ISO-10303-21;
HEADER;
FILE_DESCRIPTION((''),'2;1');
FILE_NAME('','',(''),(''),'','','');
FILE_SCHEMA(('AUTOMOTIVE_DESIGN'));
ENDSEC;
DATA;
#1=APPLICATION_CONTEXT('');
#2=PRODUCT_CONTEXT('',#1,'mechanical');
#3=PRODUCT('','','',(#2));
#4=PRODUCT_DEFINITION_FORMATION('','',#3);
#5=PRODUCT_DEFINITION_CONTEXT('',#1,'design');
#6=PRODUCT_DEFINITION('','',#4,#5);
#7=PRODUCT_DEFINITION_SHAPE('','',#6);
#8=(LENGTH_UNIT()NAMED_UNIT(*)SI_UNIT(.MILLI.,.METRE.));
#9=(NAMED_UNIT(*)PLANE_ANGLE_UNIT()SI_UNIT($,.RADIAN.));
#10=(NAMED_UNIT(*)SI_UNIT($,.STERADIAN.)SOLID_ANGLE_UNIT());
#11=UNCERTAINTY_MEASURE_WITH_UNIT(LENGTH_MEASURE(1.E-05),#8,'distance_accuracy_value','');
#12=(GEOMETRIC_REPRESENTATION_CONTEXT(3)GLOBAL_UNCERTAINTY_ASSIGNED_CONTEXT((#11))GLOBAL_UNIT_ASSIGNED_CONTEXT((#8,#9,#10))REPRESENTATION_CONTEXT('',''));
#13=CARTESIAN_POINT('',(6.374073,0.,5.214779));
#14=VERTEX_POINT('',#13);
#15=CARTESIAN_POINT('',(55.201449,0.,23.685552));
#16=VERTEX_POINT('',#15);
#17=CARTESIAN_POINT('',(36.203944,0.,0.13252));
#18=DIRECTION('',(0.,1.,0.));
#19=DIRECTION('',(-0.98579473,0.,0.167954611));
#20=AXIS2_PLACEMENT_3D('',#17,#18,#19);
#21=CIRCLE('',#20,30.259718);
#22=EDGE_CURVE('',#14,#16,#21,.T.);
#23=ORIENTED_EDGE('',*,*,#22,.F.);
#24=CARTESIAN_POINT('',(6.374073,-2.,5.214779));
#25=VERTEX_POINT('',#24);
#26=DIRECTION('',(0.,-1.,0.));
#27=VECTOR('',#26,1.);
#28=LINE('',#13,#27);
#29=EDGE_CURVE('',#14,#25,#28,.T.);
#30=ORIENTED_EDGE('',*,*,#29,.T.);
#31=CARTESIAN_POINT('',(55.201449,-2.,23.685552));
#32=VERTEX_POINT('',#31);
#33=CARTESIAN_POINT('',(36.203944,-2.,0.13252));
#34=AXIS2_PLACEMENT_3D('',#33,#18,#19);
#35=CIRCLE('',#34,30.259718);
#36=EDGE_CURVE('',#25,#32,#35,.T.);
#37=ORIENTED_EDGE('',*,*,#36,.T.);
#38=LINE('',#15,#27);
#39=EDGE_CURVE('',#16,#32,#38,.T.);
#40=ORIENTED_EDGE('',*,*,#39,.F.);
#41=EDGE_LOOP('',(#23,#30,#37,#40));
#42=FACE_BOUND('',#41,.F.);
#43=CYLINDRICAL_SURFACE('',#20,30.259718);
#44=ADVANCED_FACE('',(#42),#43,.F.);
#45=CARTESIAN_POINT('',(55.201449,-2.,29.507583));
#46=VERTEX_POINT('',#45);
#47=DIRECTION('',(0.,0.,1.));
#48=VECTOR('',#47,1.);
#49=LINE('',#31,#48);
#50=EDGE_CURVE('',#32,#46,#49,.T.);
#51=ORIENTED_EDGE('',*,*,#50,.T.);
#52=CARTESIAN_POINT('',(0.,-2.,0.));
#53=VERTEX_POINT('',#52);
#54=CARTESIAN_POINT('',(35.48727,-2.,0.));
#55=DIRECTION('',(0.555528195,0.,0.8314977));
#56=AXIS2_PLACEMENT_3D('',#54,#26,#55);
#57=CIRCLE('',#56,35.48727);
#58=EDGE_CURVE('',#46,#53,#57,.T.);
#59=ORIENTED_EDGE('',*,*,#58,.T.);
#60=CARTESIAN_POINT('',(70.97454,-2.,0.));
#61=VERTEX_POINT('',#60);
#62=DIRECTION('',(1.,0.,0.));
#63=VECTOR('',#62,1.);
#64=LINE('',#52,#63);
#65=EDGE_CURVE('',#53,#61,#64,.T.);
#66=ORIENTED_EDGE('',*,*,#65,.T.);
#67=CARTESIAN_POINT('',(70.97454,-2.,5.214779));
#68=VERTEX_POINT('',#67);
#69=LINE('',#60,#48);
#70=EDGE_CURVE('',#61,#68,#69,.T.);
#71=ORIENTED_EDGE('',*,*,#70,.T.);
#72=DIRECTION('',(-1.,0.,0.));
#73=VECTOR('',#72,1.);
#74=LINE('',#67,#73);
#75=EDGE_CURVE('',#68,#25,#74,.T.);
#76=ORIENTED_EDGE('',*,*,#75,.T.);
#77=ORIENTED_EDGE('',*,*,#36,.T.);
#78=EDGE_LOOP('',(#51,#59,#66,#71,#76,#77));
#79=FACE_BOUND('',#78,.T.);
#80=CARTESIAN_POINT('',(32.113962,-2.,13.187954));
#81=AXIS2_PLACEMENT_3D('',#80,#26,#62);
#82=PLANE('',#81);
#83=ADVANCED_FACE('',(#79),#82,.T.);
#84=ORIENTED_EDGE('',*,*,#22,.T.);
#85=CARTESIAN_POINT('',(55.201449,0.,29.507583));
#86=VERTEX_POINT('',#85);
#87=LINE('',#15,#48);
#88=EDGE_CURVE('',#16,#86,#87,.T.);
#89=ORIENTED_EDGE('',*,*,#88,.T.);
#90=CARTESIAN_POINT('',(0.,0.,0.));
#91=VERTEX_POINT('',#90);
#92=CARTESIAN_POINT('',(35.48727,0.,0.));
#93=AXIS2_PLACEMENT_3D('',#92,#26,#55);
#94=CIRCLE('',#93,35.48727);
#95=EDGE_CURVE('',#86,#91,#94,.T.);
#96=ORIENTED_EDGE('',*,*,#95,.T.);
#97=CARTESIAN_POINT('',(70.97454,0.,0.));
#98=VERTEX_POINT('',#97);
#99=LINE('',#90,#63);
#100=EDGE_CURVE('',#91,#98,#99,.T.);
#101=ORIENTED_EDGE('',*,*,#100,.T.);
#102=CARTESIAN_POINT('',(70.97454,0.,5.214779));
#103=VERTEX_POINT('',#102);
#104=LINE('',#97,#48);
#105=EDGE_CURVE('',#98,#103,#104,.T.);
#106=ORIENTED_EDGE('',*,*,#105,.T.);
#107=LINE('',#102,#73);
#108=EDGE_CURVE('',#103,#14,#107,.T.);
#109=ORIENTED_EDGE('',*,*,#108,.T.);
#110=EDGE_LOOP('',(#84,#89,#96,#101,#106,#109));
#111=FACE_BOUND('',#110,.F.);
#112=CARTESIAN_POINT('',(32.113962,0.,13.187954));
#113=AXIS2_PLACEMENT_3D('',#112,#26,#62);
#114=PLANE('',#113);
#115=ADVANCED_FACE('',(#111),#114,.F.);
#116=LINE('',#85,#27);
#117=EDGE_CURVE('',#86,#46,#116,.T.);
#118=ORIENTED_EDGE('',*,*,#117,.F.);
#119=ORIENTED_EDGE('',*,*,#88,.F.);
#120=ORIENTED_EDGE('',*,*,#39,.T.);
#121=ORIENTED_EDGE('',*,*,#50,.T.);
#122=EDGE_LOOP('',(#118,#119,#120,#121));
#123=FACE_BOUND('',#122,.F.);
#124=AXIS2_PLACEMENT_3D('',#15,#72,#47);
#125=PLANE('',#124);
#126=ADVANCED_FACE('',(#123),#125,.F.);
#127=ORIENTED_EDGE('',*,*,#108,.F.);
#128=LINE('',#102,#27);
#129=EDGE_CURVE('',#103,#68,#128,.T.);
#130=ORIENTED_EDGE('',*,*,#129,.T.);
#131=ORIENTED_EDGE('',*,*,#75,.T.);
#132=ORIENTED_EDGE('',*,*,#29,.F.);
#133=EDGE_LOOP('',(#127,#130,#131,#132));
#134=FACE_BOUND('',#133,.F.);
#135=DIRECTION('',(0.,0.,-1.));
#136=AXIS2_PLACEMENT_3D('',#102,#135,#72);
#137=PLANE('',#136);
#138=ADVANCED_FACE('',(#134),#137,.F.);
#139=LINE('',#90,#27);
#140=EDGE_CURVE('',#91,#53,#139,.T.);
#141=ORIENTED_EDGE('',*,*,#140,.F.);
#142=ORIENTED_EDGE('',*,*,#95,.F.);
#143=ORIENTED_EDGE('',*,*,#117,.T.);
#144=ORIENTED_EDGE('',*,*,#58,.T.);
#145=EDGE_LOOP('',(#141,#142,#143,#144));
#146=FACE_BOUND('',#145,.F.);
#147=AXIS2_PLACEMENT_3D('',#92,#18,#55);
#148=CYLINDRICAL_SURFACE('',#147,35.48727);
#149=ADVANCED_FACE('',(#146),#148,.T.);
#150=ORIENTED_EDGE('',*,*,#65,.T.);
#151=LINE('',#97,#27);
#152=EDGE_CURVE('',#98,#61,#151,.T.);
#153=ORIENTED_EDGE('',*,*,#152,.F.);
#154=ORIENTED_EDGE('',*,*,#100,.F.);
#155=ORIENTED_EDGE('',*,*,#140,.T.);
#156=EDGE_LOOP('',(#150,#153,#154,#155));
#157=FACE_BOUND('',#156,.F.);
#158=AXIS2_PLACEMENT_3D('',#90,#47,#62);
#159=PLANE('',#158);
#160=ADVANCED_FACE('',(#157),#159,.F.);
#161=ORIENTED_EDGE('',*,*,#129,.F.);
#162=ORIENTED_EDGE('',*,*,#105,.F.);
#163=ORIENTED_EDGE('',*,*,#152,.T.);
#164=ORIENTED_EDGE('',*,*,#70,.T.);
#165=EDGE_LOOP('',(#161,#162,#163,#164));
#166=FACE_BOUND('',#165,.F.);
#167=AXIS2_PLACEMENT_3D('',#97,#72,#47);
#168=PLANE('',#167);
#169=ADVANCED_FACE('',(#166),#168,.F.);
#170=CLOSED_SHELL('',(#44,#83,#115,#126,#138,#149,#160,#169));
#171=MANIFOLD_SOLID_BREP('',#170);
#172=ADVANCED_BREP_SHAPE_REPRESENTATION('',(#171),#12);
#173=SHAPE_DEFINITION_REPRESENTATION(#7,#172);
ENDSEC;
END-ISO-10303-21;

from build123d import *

# Parameters (mm, degrees)
F1_DEPTH = 2


with BuildPart() as f1:
    # F0 (on Front) → F1 (new body)
    with BuildSketch(Plane.XZ):
        with BuildLine():
            ThreePointArc((55.201449, 29.507583), (18.757896, 31.296555), (0, 0))
            Line((0, 0), (5.944516, 0))
            Line((5.944516, 0), (70.97454, 0))
            Line((70.97454, 0), (70.97454, 5.214779))
            Line((70.97454, 5.214779), (6.374073, 5.214779))
            ThreePointArc((6.374073, 5.214779), (25.497525, 28.434872), (55.201449, 23.685552))
            Line((55.201449, 23.685552), (55.201449, 29.507583))
        make_face()
    extrude(amount=F1_DEPTH)


solid = f1.part
